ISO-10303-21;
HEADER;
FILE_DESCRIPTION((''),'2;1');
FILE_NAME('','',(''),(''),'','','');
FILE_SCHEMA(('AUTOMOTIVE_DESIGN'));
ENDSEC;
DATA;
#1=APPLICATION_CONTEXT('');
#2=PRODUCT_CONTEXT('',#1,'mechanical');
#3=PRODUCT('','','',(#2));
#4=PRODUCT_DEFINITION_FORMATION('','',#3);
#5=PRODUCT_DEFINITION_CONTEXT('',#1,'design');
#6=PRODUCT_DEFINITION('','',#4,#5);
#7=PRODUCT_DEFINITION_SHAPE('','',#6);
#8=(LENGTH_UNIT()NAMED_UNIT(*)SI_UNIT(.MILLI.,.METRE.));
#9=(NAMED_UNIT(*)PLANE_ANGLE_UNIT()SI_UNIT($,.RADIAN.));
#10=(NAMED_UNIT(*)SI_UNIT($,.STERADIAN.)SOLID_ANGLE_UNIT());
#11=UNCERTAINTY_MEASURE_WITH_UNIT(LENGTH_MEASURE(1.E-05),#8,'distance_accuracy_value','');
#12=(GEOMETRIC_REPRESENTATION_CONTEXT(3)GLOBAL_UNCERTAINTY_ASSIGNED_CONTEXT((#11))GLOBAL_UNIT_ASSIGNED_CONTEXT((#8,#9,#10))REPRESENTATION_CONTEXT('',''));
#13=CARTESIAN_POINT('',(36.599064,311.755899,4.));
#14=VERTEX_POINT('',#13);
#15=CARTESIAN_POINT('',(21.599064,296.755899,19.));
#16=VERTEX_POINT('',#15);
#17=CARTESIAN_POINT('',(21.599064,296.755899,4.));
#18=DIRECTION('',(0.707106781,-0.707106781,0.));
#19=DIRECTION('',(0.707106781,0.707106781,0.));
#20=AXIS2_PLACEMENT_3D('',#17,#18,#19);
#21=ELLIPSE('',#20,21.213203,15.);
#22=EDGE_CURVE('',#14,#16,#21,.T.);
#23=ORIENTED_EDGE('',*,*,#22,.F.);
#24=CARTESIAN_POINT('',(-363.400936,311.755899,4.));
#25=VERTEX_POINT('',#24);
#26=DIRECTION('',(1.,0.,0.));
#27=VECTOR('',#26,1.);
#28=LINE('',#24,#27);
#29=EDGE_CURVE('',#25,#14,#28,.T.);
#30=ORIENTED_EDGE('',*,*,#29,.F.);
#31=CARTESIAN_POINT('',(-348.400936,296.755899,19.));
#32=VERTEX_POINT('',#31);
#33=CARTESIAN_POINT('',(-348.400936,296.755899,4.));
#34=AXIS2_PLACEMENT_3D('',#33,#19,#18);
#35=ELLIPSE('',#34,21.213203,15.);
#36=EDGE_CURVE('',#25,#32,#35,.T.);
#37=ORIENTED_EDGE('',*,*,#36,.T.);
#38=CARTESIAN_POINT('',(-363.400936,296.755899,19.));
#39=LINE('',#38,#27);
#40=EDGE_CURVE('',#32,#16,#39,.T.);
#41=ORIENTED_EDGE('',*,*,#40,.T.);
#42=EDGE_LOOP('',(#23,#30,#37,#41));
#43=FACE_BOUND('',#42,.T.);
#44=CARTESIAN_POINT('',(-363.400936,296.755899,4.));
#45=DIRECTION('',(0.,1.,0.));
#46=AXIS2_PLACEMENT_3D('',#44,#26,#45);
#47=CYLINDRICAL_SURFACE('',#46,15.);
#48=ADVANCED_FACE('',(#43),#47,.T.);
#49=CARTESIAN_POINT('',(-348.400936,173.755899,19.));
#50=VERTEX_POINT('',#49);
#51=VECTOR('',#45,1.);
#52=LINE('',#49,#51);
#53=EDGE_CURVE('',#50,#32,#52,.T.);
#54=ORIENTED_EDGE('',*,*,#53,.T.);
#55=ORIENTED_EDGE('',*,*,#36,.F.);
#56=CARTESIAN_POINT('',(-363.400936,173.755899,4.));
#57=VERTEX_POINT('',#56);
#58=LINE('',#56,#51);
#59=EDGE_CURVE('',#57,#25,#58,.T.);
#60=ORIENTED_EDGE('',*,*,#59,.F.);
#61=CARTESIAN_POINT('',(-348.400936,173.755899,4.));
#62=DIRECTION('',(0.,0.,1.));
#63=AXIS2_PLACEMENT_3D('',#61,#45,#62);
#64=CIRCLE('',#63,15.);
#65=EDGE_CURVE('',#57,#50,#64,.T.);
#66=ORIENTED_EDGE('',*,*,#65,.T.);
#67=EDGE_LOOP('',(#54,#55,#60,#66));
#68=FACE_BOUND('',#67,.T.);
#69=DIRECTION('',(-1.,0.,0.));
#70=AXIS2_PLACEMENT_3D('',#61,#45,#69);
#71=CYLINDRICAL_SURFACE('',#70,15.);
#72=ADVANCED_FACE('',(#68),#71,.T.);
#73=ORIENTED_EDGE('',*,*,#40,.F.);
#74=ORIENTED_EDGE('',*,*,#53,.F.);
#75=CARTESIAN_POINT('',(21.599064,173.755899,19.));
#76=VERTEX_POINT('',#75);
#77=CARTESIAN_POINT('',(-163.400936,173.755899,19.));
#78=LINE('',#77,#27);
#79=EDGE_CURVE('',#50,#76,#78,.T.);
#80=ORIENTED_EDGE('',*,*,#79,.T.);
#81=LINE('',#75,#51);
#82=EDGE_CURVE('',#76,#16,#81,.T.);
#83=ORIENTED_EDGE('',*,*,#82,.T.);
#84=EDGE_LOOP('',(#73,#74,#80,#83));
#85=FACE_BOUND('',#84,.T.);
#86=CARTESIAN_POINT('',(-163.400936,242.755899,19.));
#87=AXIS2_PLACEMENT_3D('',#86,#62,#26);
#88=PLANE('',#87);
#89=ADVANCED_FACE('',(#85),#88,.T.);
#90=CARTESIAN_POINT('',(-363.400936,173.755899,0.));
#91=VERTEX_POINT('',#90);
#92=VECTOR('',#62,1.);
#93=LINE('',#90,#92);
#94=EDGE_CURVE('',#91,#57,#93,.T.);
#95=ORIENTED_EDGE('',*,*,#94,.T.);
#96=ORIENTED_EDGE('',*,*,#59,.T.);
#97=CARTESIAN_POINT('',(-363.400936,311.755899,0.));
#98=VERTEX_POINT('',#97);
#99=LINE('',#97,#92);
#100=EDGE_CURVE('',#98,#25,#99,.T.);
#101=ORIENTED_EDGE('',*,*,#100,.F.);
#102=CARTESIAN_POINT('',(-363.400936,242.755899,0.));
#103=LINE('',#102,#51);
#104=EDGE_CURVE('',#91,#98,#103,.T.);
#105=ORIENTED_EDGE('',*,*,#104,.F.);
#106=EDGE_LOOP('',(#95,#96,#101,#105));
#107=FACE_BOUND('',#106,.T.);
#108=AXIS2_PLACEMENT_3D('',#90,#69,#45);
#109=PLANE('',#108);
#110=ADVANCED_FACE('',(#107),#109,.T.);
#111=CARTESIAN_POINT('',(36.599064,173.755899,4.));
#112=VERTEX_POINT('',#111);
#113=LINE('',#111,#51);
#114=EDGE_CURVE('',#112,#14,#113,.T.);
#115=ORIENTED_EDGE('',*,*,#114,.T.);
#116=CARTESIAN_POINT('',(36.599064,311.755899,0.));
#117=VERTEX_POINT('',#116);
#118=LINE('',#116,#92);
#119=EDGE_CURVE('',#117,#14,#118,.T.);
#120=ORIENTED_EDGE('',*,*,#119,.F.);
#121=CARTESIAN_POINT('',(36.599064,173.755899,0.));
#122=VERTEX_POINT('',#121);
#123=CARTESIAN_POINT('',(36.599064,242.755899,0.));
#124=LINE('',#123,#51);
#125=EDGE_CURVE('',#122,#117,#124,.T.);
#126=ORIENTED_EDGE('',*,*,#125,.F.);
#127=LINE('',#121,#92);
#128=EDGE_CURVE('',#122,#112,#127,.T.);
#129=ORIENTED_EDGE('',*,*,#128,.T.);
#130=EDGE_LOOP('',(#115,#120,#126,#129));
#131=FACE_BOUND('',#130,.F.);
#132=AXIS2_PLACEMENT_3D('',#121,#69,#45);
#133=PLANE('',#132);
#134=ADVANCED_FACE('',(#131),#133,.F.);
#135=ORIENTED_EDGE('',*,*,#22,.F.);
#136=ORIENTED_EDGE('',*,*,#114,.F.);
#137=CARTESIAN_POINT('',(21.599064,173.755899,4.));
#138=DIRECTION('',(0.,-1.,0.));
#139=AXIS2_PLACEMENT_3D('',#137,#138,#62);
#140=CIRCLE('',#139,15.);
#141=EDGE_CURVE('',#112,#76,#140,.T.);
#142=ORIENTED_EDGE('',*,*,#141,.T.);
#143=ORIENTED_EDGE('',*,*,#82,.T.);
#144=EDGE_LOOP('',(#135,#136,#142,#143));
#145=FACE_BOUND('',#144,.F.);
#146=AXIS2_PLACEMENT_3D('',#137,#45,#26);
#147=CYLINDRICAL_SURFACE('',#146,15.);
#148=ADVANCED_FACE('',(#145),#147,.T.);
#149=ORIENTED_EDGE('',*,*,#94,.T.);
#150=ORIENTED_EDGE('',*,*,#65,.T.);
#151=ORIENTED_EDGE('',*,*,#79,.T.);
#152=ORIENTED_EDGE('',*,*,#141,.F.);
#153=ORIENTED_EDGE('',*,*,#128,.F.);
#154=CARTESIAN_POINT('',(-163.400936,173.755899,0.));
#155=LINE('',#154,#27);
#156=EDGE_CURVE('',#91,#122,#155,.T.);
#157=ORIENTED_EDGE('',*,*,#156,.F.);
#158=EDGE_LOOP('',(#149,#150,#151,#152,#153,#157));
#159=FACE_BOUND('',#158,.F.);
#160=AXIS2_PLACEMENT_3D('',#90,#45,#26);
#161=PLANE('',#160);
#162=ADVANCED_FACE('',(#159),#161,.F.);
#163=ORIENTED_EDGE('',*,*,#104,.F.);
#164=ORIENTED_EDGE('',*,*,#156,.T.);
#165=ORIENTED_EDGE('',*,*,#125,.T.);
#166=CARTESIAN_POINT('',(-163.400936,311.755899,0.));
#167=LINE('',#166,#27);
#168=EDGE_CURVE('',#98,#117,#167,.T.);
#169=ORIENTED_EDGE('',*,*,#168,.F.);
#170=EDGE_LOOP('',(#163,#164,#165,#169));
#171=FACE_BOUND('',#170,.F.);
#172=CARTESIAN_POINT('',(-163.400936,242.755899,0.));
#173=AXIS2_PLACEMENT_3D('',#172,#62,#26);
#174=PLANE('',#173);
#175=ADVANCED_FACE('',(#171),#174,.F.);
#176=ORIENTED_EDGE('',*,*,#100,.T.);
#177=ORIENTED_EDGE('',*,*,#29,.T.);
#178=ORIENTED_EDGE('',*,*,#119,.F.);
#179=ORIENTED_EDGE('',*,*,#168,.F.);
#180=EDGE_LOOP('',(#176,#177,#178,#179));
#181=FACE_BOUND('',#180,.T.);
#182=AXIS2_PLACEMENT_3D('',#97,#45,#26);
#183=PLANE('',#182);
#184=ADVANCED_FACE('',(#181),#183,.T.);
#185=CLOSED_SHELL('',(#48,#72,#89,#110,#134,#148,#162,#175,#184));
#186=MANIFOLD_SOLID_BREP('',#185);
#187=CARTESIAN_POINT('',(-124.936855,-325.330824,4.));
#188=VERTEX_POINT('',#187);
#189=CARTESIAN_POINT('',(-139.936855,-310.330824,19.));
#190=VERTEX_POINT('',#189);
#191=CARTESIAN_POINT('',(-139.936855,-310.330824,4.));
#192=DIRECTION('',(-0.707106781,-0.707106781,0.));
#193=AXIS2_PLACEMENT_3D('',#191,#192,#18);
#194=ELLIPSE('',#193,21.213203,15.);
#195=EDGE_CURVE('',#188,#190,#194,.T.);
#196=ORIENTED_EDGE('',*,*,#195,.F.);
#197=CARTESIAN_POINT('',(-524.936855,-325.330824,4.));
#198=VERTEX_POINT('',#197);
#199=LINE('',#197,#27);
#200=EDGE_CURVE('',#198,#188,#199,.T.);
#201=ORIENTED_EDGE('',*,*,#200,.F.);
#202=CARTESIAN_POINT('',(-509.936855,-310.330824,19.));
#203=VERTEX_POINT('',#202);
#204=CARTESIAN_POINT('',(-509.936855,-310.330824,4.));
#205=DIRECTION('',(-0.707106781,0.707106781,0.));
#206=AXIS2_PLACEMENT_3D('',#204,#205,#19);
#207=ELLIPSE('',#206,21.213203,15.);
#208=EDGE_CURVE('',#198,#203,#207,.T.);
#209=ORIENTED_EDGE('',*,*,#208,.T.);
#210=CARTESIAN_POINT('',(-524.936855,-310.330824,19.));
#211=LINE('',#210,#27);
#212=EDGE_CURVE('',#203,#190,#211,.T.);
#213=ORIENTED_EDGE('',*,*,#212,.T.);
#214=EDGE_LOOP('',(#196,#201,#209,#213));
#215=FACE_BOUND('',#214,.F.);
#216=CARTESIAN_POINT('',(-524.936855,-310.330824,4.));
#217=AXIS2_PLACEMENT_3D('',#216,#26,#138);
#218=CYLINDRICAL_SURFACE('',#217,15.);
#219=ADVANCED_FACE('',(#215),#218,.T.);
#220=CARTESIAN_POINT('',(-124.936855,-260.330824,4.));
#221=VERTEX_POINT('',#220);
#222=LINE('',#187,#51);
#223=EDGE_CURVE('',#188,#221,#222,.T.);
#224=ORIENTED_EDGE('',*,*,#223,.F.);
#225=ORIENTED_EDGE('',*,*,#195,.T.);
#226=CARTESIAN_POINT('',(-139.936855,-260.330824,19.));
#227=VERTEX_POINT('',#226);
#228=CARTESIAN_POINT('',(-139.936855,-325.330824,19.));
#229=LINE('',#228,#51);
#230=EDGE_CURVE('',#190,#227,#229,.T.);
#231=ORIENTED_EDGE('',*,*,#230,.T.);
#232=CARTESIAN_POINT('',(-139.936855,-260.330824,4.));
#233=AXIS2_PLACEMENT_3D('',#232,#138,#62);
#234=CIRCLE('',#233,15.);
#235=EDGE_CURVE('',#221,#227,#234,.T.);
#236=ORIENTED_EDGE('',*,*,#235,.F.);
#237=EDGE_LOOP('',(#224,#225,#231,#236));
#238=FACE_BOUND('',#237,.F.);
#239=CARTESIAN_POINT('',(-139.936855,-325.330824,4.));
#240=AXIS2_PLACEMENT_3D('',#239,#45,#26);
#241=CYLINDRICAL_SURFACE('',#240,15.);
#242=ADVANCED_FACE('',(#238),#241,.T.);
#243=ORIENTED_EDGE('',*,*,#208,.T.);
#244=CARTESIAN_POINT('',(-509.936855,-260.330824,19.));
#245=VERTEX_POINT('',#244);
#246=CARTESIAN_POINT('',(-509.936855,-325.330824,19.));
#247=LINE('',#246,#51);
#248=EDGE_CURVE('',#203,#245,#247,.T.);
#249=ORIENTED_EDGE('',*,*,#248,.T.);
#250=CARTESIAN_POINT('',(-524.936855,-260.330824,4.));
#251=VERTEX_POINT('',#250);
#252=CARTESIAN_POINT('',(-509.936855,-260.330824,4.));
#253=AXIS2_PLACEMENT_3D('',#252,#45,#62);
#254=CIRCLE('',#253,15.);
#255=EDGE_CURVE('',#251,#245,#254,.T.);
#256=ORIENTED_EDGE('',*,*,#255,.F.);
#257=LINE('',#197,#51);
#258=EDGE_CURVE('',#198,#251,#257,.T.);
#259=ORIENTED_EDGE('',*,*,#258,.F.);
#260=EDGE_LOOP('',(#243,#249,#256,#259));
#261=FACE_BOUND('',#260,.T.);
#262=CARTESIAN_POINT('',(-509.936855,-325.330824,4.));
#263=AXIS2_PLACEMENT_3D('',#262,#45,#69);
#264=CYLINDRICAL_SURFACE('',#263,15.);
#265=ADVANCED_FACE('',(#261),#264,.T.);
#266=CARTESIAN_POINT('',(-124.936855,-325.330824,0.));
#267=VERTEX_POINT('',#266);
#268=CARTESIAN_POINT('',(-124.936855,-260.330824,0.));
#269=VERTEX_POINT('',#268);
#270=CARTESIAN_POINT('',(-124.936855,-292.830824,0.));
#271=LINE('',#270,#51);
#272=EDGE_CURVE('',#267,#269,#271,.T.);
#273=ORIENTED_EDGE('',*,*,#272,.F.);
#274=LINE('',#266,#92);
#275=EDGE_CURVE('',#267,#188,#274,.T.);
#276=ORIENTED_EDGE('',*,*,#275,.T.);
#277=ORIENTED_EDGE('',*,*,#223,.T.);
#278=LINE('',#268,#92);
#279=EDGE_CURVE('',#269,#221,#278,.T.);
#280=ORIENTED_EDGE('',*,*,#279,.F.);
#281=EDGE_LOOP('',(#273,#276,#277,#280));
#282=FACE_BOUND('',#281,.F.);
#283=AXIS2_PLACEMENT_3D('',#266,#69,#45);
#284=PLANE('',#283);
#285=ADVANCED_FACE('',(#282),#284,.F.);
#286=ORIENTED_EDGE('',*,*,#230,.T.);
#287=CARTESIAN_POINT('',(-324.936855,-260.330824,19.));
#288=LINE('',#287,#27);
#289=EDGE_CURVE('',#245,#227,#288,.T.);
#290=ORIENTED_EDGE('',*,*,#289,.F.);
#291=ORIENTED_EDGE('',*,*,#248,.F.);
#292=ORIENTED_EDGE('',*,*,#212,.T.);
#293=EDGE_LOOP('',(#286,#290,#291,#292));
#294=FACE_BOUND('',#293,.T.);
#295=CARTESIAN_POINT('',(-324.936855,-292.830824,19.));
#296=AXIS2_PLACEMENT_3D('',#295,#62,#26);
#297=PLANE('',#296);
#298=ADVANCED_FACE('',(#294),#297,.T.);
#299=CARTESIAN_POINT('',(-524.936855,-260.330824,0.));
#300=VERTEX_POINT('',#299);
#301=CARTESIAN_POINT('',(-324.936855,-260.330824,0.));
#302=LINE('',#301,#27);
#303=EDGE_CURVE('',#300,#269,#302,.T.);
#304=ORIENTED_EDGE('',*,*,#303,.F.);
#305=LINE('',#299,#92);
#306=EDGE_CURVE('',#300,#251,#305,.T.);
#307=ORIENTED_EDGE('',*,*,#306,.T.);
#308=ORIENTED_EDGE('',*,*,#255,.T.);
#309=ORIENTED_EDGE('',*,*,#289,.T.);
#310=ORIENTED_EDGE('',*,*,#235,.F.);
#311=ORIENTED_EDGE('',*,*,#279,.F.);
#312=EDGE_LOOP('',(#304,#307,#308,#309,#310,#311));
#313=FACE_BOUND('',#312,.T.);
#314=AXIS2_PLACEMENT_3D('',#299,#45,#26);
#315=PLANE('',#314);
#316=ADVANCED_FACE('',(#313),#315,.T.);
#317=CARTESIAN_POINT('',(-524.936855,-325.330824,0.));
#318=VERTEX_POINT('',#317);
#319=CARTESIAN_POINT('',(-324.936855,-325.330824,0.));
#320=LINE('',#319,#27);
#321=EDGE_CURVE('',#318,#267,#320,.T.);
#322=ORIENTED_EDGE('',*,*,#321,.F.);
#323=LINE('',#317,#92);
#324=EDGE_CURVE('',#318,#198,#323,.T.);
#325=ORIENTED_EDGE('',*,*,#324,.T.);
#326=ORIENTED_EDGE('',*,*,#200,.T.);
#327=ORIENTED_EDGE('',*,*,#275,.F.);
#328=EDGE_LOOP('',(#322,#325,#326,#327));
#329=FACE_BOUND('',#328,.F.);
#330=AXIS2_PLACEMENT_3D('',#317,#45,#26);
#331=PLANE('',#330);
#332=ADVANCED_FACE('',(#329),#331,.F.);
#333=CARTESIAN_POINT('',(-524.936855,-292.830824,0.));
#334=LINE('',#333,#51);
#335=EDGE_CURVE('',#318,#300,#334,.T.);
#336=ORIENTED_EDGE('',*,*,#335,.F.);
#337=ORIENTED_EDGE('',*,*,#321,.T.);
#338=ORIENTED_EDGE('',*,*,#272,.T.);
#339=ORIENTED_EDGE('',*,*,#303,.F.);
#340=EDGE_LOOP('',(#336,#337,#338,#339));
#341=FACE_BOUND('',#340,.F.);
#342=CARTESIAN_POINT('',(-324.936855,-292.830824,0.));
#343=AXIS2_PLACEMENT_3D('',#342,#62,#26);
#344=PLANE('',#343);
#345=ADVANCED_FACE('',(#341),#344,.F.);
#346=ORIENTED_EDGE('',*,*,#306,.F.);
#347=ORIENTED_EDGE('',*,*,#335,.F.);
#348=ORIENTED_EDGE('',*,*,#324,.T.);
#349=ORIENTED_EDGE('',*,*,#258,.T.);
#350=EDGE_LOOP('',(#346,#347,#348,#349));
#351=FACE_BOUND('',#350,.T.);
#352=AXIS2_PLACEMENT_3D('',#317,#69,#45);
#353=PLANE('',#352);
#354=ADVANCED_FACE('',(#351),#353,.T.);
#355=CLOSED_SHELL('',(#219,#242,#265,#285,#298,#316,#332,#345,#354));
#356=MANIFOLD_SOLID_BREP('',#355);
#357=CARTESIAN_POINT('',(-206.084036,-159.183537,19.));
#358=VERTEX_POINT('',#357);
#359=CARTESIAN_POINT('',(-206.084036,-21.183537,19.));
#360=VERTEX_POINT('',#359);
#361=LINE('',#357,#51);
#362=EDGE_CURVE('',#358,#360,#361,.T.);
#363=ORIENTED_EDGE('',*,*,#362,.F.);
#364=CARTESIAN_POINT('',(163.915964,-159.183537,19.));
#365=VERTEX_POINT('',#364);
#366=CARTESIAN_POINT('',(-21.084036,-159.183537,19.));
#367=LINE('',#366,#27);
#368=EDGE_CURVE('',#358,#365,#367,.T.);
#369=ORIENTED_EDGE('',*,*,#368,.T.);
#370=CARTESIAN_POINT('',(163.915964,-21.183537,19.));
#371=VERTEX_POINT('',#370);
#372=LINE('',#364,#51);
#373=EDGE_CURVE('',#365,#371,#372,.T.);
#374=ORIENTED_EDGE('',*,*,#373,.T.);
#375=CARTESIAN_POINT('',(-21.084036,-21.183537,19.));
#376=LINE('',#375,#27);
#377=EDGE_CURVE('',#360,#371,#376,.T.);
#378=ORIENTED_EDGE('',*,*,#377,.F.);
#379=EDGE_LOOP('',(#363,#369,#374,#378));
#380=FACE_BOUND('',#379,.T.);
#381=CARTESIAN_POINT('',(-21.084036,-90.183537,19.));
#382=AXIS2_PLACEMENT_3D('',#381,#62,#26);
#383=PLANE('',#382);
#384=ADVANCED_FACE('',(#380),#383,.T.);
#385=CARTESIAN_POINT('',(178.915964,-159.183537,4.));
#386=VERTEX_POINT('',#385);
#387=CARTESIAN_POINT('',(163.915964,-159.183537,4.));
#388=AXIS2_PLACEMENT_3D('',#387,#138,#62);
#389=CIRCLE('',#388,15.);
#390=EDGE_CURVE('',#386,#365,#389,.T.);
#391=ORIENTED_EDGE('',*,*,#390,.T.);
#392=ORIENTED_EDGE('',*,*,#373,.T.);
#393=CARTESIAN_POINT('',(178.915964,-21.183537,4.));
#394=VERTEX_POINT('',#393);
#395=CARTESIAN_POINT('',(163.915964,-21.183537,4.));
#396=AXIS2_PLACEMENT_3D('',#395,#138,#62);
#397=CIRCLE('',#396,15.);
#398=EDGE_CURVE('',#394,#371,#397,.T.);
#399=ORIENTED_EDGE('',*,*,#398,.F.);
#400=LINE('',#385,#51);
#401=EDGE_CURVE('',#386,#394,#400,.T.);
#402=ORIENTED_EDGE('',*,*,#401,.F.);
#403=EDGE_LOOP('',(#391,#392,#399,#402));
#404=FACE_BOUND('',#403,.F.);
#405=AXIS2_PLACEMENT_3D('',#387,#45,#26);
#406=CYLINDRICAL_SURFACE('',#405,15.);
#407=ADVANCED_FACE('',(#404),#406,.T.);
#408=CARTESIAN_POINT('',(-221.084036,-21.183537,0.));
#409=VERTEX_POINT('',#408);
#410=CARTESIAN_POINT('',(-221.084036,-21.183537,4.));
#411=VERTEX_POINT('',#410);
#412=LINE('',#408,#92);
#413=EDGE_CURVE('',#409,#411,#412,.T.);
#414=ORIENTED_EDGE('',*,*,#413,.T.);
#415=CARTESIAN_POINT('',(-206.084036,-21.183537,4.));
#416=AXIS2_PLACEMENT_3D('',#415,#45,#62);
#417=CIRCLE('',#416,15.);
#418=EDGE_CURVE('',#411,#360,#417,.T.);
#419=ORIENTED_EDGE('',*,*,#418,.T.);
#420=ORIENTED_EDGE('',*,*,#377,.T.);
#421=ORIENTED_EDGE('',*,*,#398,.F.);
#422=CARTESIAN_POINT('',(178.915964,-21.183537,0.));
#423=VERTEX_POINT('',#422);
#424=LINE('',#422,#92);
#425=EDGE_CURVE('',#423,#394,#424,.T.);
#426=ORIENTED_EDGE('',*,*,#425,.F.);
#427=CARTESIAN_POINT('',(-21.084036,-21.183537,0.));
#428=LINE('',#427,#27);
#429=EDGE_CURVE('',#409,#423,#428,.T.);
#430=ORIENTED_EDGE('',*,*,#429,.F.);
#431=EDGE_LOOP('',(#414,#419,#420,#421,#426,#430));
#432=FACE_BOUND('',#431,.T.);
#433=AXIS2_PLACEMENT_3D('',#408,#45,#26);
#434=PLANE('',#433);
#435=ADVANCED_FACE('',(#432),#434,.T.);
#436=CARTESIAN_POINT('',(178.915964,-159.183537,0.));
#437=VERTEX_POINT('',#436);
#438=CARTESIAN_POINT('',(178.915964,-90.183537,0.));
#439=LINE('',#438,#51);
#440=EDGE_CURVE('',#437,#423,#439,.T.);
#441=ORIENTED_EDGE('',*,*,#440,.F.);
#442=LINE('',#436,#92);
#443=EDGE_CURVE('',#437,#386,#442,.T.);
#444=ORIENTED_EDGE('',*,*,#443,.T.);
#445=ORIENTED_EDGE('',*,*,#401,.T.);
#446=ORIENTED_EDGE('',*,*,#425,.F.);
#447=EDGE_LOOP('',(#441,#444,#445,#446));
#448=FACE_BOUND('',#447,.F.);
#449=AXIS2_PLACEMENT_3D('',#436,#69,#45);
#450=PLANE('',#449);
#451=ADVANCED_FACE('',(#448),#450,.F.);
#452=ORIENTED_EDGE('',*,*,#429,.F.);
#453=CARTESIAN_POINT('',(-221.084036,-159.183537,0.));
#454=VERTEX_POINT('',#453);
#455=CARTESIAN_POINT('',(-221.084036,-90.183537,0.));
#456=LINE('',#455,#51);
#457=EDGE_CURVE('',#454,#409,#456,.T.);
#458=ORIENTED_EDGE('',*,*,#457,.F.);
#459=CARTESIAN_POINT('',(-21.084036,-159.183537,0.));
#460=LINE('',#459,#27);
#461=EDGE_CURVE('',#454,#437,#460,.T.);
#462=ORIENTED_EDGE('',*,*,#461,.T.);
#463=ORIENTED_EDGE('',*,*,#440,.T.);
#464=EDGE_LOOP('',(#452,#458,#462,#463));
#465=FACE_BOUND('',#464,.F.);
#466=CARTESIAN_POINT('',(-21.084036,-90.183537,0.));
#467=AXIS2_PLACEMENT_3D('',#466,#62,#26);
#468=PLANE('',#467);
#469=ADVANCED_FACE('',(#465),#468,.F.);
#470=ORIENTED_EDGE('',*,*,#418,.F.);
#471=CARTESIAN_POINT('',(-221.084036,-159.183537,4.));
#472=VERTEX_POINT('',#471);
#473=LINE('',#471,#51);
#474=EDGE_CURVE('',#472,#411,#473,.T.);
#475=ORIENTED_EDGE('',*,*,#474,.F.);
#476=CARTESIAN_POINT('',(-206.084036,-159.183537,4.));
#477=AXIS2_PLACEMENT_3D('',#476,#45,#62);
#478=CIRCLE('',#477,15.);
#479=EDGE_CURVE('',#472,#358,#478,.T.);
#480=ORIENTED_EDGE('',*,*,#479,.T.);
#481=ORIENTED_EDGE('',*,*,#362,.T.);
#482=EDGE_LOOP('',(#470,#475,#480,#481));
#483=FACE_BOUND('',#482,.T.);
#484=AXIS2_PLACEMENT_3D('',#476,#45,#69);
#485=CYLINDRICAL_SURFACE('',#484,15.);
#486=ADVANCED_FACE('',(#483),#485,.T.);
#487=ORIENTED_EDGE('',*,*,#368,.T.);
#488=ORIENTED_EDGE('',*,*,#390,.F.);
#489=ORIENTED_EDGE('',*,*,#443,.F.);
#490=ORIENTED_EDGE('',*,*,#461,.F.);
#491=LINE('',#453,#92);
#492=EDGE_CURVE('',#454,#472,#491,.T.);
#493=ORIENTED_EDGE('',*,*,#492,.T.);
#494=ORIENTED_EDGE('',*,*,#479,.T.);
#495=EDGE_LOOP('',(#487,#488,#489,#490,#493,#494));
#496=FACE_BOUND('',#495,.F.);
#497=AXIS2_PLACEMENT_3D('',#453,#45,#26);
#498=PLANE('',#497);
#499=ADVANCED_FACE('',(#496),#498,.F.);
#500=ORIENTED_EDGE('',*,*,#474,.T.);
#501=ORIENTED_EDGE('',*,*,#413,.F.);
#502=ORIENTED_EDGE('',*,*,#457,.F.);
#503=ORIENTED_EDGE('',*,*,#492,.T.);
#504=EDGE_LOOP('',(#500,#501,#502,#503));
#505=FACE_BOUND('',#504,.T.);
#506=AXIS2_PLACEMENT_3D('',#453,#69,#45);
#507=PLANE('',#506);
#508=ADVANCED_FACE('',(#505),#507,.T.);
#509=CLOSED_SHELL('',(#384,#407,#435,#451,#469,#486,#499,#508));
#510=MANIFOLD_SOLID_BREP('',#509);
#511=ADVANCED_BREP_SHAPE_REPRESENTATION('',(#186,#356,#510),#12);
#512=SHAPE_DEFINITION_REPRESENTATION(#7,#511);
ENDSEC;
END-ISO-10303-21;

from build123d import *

# Parameters (mm, degrees)
F0_W     = 400
F0_H     = 138
F0_H_2   = 65
F1_DEPTH = 19
F2_R     = 15


with BuildPart() as f1:
    # F0 (on Top) → F1 (new body)
    with BuildSketch(Plane.XY):
        with Locations((-21.084036, -90.183537)):
            Rectangle(F0_W, F0_H)
        with Locations((-163.400936, 242.755899)):
            Rectangle(F0_W, F0_H)
        with Locations((-324.936855, -292.830824)):
            Rectangle(F0_W, F0_H_2)
    extrude(amount=F1_DEPTH)

    # F2
    f2_edges = [f1.edges().sort_by_distance(p)[0] for p in [
        (-324.936855, -325.330824, 19),
        (-124.936855, -292.830824, 19),
        (-524.936855, -292.830824, 19),
        (-221.084036, -90.183537, 19),
        (178.915964, -90.183537, 19),
        (36.599064, 242.755899, 19),
        (-163.400936, 311.755899, 19),
        (-363.400936, 242.755899, 19),
    ]]
    fillet(f2_edges, radius=F2_R)


solid = f1.part
